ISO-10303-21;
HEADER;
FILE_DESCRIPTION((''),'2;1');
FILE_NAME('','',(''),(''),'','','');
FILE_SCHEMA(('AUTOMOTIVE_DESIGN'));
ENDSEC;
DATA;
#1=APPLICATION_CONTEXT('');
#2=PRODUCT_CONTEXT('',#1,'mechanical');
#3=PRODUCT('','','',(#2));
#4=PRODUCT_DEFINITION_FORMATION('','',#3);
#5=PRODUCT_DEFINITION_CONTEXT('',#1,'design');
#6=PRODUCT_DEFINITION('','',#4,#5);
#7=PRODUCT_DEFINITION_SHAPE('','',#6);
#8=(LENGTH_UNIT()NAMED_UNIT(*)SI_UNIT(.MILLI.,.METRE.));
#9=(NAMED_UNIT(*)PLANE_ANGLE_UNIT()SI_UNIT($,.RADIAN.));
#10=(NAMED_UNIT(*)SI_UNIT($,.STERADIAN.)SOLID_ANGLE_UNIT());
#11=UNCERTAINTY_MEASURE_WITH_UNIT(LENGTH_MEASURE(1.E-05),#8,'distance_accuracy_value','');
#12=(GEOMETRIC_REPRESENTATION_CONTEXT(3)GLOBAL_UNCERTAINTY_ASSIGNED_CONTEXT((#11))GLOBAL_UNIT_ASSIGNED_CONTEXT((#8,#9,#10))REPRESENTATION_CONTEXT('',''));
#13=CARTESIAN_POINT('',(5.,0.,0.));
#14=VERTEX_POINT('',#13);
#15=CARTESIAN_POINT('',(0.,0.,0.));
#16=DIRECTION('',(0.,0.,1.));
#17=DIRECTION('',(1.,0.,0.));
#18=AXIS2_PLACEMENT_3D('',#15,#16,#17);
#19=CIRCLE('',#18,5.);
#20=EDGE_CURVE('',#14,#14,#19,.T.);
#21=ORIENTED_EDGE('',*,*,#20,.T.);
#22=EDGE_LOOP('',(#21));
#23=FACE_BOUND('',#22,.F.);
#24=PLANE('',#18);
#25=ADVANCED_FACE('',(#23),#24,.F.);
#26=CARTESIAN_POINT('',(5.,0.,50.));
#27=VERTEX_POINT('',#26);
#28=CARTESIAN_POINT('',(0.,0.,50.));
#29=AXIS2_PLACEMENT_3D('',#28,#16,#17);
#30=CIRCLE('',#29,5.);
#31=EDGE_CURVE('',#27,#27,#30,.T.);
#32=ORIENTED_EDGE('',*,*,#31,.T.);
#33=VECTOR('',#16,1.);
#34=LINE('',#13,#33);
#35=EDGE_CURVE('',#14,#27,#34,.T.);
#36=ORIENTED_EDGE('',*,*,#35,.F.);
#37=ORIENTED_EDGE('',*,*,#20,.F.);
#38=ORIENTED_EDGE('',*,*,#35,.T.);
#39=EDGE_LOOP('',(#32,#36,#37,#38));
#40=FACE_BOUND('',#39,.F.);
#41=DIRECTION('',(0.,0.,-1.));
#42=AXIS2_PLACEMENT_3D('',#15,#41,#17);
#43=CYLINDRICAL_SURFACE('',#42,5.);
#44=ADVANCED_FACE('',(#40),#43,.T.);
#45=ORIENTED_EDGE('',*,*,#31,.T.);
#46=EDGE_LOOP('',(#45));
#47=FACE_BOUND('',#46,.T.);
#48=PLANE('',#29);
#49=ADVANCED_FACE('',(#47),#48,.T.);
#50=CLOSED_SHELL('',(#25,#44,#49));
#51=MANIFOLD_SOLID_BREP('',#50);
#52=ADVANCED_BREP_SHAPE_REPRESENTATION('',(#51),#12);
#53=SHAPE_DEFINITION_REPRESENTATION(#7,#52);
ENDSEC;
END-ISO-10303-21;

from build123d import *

# Parameters (mm, degrees)
CROQUIS1_R              = 5
SALIENTE_EXTRUIR1_DEPTH = 50


with BuildPart() as part:
    # Croquis1 → Saliente-Extruir1 (new body)
    with BuildSketch(Plane.XY):
        Circle(CROQUIS1_R)
    extrude(amount=SALIENTE_EXTRUIR1_DEPTH)


solid = part.part
